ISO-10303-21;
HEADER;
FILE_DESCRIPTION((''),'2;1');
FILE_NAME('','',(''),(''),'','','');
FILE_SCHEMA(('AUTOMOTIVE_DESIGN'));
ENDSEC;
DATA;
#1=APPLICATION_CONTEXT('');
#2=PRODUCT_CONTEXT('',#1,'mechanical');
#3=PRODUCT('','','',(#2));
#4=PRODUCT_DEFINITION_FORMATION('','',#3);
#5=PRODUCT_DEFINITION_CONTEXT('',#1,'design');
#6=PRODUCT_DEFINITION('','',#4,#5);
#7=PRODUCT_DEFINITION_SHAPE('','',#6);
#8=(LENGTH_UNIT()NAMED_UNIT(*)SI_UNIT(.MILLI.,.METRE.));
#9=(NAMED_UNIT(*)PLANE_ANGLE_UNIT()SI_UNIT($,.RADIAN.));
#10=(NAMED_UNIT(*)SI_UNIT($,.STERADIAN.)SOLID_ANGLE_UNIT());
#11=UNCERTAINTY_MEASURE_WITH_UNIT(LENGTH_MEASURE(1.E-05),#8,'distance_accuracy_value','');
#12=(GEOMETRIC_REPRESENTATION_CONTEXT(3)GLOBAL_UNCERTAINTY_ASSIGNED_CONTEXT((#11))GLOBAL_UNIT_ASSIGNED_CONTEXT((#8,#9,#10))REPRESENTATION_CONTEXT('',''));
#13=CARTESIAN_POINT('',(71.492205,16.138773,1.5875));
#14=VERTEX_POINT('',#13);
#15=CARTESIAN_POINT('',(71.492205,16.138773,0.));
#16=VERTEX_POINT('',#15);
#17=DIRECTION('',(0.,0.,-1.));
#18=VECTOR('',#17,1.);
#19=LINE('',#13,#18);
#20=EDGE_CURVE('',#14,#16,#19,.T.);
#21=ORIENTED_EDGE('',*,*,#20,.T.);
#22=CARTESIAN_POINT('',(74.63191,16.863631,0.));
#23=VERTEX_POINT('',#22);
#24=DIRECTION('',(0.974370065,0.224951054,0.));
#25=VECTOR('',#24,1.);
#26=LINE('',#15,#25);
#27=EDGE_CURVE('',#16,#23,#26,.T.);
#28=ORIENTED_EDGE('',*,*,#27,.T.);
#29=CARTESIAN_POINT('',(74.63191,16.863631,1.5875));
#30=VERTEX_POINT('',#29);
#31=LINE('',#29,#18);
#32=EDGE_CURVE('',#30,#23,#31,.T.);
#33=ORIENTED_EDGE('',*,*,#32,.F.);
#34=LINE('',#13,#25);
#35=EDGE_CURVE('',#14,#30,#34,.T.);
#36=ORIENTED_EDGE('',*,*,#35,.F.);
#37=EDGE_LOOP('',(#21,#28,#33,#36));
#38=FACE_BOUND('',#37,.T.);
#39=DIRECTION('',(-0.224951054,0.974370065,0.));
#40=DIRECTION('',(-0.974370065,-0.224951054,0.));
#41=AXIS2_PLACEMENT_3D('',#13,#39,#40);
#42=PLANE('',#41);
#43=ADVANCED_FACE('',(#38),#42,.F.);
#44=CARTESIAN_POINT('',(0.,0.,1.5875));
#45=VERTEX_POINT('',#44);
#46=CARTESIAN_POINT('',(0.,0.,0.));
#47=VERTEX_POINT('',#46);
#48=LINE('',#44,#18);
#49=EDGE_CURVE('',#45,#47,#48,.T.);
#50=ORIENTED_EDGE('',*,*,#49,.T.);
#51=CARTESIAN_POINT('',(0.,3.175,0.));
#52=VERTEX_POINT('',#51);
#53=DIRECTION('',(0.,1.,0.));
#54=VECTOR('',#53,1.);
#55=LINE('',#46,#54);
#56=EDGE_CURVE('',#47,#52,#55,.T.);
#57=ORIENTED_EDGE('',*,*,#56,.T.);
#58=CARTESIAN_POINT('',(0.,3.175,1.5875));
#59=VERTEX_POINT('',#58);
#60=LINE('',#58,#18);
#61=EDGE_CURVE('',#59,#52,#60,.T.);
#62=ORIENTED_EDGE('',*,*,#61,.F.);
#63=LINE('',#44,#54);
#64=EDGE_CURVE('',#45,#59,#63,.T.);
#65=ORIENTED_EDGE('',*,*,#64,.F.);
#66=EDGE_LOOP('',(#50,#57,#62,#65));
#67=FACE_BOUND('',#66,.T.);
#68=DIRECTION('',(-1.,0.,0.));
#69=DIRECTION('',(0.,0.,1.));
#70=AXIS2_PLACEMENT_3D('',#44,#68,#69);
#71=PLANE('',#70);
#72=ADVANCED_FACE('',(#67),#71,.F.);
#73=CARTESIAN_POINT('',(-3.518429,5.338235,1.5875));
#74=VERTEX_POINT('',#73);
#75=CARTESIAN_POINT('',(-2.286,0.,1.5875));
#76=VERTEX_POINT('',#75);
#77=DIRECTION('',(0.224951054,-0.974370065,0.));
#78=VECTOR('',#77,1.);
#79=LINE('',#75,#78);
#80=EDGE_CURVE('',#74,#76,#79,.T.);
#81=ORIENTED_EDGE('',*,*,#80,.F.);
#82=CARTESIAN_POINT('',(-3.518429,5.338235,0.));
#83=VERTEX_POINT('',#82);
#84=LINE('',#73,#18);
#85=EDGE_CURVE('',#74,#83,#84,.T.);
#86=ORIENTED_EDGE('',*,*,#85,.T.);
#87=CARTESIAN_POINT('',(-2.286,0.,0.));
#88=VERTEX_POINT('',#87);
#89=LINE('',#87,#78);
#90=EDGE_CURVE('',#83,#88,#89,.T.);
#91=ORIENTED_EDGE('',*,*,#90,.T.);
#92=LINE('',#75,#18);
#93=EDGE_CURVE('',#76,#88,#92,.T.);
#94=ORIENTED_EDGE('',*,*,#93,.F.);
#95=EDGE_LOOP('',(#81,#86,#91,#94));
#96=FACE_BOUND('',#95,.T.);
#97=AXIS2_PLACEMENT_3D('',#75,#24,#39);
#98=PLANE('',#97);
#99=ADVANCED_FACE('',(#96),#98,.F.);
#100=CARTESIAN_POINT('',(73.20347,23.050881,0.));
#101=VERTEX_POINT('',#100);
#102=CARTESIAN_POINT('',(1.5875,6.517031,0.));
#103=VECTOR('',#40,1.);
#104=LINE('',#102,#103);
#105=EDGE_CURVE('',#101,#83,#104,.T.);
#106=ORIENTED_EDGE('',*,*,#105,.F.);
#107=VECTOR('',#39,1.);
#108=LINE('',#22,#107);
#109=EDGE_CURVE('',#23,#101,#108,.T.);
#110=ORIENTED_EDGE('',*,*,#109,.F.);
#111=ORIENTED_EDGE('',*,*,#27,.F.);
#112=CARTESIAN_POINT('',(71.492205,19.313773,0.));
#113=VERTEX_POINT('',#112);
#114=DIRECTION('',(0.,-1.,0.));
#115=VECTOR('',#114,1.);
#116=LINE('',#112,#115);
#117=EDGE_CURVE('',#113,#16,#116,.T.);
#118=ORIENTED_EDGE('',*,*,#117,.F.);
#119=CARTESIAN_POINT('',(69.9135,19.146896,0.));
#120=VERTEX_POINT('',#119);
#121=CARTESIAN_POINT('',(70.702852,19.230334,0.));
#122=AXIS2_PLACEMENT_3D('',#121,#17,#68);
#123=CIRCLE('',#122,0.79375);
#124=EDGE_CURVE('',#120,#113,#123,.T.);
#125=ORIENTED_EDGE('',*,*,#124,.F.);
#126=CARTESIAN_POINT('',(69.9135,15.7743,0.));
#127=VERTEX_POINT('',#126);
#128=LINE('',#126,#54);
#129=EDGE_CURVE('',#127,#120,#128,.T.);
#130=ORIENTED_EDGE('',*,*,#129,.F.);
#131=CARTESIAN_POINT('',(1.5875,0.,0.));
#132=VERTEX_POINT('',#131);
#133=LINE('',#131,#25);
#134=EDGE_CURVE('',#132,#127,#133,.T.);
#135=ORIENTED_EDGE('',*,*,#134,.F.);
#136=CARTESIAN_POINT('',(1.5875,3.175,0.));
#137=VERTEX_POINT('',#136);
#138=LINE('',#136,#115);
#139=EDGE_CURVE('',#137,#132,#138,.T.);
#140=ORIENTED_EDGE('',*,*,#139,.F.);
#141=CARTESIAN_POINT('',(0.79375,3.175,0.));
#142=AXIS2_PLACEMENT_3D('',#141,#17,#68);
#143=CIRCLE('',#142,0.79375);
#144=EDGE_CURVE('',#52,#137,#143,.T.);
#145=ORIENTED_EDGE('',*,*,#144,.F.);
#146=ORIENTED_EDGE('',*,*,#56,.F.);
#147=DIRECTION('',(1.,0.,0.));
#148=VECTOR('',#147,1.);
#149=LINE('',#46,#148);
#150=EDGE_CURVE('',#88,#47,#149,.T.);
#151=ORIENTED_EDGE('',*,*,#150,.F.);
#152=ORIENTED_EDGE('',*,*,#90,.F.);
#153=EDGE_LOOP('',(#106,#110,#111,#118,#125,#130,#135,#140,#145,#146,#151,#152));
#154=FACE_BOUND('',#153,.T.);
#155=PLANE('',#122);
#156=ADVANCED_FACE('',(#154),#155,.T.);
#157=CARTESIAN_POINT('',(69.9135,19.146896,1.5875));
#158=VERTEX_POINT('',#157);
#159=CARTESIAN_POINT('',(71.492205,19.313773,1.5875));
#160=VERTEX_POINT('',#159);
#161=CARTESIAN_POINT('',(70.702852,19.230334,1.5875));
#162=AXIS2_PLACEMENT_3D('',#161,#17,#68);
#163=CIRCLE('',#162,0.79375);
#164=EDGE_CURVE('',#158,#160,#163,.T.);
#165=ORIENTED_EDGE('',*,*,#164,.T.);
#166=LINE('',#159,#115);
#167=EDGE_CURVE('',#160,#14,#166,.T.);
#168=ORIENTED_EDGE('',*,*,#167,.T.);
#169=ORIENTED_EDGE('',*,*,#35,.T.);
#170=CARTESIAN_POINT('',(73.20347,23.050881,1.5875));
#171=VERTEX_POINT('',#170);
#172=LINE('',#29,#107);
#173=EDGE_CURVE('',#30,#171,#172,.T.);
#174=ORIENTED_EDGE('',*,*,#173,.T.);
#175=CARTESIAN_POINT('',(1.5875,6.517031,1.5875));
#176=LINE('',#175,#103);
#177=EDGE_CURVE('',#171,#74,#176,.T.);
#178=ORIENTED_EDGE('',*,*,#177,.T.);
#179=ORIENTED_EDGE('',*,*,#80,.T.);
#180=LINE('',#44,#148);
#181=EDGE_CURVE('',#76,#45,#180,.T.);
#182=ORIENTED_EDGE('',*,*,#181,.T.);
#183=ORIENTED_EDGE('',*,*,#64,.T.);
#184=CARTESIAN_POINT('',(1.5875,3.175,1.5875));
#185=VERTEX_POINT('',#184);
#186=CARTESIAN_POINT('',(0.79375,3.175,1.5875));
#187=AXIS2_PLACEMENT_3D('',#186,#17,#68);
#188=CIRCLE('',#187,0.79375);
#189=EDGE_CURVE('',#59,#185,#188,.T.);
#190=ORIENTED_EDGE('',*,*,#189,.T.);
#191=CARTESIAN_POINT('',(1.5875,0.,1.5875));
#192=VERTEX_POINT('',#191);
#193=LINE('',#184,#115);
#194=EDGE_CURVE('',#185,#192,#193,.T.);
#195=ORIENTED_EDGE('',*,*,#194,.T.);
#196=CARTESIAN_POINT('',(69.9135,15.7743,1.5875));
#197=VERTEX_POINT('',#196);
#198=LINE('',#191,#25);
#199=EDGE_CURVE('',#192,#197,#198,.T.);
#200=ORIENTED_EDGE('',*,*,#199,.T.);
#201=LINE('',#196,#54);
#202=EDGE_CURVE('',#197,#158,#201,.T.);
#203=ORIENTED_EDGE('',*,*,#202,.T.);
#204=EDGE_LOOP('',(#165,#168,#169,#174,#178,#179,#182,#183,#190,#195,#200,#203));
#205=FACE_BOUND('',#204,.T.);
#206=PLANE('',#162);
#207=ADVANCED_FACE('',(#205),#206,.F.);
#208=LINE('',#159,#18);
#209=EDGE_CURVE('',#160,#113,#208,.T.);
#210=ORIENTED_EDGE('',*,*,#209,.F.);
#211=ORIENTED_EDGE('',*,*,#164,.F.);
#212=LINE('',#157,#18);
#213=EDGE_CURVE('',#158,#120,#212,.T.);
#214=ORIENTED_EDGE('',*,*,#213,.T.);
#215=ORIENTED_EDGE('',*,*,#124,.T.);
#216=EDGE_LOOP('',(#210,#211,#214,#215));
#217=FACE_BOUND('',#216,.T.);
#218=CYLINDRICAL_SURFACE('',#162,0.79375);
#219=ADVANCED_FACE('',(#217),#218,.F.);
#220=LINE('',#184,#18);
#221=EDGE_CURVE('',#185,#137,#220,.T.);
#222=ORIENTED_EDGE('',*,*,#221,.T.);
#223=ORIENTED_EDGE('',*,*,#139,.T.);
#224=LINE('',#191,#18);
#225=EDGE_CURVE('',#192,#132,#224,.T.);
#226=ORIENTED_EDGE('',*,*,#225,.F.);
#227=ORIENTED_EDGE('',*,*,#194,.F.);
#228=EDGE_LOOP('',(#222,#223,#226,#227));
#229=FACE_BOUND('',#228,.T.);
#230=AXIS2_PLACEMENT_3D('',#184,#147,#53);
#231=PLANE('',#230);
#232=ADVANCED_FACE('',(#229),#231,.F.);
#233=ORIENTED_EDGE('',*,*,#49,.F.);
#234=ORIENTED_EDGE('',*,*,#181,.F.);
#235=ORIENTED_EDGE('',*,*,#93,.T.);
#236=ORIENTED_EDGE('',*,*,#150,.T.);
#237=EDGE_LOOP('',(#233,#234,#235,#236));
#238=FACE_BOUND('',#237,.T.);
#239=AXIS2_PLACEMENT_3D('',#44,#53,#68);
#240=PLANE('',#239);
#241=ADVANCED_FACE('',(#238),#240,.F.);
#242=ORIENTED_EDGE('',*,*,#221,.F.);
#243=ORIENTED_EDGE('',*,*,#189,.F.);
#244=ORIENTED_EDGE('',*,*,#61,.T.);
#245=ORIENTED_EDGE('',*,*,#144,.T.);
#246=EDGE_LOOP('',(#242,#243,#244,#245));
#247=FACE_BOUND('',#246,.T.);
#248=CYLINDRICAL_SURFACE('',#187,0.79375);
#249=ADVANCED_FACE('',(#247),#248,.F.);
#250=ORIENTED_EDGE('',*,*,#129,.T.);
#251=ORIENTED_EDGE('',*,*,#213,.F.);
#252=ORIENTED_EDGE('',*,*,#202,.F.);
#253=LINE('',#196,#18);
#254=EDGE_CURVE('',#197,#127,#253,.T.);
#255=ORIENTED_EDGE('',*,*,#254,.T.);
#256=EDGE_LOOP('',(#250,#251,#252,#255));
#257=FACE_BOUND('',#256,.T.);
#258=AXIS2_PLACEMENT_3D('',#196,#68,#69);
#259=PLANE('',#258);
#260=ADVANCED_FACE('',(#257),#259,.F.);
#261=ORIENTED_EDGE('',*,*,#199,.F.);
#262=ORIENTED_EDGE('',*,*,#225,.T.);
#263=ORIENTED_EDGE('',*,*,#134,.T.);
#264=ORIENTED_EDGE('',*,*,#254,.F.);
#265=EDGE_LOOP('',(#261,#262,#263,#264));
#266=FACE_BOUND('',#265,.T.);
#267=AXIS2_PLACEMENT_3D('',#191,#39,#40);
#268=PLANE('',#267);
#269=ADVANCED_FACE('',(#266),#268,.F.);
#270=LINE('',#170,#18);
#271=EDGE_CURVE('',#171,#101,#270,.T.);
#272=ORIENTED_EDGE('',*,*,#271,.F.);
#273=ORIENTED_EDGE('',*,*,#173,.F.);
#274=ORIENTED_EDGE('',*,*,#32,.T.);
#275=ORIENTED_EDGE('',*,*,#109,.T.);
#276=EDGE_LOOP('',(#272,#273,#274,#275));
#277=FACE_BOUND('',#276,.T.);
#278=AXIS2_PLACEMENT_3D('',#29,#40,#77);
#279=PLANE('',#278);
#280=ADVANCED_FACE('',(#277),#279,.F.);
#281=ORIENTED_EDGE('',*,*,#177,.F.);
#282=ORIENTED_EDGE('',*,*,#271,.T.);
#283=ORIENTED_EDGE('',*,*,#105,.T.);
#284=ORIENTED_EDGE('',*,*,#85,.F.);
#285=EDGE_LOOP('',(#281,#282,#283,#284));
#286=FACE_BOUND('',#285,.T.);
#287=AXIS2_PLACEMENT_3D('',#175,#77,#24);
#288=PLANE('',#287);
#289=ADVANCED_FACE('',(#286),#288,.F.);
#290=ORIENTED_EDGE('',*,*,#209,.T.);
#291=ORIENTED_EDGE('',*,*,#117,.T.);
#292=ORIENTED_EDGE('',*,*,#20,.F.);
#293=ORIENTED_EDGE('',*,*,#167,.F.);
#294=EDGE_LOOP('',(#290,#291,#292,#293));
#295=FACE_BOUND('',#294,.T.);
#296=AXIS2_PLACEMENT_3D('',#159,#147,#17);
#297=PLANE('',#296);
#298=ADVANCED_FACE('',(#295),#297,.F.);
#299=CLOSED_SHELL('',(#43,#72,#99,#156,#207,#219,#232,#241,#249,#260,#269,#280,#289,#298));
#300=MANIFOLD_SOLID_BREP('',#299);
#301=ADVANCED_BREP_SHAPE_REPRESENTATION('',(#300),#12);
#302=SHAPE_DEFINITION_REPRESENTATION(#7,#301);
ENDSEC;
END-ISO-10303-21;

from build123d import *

# Parameters (mm, degrees)
BOSS_EXTRUDE1_DEPTH = 1.5875


with BuildPart() as part:
    # Sketch1 → Boss-Extrude1 (new body)
    with BuildSketch(Plane.XY):
        with BuildLine():
            Line((0, 0), (0, 3.175))
            ThreePointArc((0, 3.175), (0.79375, 3.96875), (1.5875, 3.175))
            Line((1.5875, 3.175), (1.5875, 0))
            Line((1.5875, 0), (69.9135, 15.774300027))
            Line((69.9135, 15.774300027), (69.9135, 19.146896146))
            ThreePointArc((69.9135, 19.146896146), (70.619414052, 20.019686772), (71.492204678, 19.31377272))
            Line((71.492204678, 19.31377272), (71.492204678, 16.13877272))
            Line((71.492204678, 16.13877272), (74.631909532, 16.8636307))
            Line((74.631909532, 16.8636307), (73.203470337, 23.050880612))
            Line((73.203470337, 23.050880612), (1.5875, 6.517031084))
            Line((1.5875, 6.517031084), (-3.518428564, 5.338234593))
            Line((-3.518428564, 5.338234593), (-2.286, 0))
            Line((-2.286, 0), (0, 0))
        make_face()
    extrude(amount=BOSS_EXTRUDE1_DEPTH)


solid = part.part
